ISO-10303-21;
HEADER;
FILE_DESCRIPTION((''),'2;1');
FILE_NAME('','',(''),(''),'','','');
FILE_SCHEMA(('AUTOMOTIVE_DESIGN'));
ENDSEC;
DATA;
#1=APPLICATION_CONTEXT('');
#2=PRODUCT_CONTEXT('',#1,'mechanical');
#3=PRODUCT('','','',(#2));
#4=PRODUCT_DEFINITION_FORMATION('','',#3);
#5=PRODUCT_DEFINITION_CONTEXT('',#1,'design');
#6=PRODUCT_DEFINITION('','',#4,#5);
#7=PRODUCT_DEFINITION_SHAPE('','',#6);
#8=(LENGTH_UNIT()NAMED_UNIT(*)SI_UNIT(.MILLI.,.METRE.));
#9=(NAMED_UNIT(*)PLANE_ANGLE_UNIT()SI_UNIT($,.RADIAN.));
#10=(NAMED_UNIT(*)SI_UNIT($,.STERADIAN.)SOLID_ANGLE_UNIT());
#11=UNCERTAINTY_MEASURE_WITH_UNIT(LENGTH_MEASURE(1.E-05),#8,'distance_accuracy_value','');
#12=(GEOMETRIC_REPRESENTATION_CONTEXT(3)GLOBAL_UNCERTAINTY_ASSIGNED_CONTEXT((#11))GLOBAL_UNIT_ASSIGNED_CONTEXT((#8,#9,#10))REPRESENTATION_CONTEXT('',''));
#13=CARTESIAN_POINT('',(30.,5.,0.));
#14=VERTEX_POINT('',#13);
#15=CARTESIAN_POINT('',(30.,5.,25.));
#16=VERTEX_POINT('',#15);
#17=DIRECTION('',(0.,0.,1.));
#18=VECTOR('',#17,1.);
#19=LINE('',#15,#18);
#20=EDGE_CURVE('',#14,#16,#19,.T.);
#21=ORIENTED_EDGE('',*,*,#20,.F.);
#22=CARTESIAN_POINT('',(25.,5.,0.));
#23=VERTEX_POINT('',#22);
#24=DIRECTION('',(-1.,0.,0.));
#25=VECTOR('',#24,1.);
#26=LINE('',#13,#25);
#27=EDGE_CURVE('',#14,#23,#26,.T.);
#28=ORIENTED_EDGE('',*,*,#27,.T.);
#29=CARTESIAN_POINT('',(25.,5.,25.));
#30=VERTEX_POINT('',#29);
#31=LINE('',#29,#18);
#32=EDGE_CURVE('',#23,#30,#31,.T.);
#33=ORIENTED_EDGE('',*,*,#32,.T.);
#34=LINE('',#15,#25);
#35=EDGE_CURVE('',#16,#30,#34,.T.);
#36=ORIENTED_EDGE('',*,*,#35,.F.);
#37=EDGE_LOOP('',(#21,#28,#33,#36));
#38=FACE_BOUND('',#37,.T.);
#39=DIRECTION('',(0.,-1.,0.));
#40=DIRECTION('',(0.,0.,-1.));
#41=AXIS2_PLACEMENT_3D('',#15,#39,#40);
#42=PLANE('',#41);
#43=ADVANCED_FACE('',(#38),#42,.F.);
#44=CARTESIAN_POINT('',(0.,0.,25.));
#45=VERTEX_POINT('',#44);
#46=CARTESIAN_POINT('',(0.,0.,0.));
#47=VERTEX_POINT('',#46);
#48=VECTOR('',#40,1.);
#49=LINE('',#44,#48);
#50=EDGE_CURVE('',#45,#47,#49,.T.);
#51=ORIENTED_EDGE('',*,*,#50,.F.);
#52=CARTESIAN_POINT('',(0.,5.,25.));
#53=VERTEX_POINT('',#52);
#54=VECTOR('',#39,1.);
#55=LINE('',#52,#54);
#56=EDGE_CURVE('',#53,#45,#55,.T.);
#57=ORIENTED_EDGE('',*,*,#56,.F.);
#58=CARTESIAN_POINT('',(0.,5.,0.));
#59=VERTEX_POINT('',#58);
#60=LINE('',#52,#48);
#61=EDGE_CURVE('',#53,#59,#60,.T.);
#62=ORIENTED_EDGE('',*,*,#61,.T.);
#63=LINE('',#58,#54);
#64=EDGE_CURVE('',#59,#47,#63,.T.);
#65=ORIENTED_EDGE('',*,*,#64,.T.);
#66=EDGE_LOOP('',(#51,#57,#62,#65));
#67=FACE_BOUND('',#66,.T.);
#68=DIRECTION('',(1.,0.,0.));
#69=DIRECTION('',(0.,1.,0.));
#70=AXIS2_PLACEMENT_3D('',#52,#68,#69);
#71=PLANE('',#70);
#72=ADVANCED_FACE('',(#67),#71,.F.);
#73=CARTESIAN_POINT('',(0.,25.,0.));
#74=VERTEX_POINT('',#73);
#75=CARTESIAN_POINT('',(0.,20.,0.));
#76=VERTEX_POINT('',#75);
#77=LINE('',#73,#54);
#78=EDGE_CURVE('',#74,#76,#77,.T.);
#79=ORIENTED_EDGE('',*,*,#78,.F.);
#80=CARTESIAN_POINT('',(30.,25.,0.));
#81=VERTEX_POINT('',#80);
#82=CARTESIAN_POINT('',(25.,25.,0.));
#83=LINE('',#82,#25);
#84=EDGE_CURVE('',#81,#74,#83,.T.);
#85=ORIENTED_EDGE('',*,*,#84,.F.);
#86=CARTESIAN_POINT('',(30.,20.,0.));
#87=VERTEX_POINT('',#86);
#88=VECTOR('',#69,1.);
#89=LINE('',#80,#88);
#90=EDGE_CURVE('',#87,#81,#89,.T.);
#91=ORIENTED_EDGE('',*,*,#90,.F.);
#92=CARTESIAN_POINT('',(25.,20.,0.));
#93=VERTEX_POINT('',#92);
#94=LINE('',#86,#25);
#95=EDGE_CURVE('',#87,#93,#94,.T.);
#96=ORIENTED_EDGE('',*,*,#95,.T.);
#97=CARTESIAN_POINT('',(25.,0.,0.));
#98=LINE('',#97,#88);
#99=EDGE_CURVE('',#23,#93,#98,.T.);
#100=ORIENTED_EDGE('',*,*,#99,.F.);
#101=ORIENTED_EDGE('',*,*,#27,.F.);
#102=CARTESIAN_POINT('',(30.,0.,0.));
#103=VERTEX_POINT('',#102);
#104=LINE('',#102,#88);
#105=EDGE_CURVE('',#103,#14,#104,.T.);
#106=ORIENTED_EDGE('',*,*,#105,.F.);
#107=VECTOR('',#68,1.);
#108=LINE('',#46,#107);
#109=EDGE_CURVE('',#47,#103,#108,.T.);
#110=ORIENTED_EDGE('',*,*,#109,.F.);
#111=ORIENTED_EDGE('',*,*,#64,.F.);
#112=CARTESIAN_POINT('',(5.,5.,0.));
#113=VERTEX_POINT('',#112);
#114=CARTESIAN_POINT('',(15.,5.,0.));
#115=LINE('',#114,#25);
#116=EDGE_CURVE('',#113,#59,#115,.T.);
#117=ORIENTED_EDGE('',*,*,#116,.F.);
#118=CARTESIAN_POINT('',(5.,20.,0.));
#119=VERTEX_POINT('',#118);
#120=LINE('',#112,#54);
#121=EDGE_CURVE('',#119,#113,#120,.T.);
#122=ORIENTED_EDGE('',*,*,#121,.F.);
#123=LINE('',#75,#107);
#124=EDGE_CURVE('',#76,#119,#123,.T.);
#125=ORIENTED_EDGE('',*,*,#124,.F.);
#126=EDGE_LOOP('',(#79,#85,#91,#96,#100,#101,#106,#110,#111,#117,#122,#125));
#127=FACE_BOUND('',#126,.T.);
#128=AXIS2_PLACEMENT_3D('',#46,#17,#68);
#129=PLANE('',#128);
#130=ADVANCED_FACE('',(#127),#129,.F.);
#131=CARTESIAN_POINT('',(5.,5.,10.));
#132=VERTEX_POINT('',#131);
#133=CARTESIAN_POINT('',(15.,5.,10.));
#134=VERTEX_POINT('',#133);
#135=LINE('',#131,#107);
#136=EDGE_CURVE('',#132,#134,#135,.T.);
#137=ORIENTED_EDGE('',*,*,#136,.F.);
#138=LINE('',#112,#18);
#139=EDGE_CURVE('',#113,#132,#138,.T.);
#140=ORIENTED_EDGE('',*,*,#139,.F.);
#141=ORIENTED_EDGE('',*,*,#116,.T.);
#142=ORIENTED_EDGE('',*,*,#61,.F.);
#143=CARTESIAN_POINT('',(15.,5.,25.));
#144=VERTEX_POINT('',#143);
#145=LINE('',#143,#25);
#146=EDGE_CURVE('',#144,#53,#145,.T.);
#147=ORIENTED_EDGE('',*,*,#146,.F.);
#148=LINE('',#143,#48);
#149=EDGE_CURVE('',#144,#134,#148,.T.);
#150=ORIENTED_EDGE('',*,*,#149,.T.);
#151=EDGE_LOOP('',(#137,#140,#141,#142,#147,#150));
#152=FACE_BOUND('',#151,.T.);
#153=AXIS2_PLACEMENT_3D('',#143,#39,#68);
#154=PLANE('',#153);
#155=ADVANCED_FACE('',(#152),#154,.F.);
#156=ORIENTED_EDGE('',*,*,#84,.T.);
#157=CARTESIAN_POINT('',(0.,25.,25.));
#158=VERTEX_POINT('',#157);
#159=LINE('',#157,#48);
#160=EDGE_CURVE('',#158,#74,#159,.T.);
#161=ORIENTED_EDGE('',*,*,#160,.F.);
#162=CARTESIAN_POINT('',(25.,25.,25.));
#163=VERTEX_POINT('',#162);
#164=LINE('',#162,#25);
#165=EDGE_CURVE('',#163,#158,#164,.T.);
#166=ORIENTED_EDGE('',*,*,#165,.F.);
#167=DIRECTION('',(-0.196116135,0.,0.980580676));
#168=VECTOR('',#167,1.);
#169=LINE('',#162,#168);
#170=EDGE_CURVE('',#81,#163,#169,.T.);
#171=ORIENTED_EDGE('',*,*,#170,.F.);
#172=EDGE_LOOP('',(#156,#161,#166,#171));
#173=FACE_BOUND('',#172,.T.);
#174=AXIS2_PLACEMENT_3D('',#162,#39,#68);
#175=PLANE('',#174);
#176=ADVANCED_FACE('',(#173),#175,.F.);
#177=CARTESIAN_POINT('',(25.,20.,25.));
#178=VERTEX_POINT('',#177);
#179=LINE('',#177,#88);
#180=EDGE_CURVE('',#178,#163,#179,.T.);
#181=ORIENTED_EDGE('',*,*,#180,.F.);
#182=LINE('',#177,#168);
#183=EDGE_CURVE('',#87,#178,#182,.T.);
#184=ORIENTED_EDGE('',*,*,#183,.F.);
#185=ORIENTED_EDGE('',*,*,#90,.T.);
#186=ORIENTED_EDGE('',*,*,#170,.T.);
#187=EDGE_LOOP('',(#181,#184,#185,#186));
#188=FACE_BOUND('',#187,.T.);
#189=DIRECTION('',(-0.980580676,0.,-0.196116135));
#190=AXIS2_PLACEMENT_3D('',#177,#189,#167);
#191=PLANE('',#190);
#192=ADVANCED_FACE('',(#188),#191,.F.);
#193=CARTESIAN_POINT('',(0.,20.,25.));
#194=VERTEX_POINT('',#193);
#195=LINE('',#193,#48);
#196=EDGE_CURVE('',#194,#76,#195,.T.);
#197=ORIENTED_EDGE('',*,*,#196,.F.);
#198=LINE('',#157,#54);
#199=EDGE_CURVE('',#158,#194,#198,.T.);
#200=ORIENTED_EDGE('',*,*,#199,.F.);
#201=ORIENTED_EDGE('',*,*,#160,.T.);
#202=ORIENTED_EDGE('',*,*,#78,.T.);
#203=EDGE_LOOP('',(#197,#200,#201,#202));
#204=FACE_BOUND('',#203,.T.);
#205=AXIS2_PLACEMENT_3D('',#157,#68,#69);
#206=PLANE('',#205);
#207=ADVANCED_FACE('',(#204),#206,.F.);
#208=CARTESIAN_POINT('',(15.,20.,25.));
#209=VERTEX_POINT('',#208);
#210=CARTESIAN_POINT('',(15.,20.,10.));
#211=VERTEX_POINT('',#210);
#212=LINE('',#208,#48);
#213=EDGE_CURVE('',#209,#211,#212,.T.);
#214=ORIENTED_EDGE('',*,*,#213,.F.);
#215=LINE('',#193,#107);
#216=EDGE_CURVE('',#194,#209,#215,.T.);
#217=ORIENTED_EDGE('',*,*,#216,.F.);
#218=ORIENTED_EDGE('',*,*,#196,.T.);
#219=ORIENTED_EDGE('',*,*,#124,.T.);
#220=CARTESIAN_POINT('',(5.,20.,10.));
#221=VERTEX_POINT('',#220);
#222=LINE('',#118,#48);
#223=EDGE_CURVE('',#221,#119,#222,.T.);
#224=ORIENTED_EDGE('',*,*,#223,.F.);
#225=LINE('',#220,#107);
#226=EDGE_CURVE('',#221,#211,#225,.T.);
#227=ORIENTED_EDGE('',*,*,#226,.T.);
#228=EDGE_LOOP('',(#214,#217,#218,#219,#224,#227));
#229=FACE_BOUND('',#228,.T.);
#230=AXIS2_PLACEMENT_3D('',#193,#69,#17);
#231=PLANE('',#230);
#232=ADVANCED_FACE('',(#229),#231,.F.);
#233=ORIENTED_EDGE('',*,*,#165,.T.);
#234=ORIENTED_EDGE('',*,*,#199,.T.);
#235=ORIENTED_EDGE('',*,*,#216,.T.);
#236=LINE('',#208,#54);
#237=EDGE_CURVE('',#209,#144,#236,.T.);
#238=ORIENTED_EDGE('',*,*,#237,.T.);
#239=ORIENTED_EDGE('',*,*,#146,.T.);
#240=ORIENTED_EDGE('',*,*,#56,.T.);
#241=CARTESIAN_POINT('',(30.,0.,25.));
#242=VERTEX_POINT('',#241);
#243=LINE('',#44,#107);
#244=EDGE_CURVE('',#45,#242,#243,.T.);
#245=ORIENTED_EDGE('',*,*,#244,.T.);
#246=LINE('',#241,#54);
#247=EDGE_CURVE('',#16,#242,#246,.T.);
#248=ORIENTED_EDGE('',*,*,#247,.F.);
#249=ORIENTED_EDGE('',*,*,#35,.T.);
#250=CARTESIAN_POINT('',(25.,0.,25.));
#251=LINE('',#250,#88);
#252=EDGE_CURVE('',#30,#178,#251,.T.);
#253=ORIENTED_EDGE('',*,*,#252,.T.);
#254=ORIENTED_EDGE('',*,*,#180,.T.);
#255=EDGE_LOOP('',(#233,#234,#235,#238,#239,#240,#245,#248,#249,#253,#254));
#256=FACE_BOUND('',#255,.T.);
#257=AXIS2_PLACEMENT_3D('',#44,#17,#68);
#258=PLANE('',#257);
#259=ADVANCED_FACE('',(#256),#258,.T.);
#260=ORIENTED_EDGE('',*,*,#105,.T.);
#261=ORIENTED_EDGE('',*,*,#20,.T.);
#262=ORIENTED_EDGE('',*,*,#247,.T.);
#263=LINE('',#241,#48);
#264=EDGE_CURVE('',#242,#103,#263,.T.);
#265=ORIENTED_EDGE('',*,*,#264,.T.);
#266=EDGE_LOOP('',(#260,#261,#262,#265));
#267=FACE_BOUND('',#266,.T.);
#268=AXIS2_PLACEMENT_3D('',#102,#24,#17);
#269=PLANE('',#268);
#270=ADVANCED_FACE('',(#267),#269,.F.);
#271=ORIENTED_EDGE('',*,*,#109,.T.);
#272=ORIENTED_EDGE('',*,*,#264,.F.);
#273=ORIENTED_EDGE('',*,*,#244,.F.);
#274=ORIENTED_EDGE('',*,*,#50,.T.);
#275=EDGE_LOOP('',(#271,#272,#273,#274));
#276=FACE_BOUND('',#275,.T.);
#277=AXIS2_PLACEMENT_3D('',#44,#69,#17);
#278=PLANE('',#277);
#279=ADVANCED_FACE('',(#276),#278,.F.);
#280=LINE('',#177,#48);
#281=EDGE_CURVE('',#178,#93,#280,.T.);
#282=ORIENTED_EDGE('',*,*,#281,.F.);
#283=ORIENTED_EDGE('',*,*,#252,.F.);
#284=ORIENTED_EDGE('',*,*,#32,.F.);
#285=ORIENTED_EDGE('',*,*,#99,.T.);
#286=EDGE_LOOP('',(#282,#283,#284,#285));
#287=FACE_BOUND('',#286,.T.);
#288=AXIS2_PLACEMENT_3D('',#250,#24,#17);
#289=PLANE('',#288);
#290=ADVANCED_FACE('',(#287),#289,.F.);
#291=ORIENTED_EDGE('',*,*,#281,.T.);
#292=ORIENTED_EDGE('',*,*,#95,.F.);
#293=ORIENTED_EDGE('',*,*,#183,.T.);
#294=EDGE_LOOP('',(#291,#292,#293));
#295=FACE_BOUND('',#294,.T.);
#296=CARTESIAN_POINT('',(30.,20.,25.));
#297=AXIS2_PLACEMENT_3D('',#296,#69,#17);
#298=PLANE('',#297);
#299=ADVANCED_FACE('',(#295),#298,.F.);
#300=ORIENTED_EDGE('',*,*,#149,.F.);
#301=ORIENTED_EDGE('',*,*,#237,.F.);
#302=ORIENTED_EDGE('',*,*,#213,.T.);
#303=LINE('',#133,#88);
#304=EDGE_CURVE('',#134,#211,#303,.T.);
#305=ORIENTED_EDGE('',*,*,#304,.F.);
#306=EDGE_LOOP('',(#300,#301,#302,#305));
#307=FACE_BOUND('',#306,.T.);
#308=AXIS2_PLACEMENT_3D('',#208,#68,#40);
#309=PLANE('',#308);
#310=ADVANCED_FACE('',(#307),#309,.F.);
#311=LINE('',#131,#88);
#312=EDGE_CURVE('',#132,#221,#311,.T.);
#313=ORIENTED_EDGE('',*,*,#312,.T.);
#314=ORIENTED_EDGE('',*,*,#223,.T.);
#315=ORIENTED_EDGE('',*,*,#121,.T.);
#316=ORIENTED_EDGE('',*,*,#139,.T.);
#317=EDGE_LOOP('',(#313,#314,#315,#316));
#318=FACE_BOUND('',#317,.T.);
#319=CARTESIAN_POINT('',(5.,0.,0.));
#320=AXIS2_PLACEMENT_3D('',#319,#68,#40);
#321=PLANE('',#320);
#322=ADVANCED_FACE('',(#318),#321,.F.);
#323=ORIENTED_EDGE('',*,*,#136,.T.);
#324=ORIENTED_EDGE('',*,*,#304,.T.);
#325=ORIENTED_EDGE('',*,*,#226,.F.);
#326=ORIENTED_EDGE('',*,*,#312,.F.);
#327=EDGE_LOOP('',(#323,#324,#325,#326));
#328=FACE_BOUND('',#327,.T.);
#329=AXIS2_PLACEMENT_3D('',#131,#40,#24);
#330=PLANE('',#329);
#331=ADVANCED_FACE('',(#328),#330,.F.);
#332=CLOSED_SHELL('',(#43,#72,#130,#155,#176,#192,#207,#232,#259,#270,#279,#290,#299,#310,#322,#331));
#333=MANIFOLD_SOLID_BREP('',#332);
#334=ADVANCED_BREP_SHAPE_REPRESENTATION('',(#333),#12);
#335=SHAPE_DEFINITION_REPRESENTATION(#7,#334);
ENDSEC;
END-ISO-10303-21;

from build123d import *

# Parameters (mm, degrees)
BOSS_EXTRUDE1_DEPTH = 25
SKETCH2_W           = 10
SKETCH2_H           = 15
BOSS_EXTRUDE2_DEPTH = 10
SKETCH3_W           = 25
SKETCH3_H           = 5
BOSS_EXTRUDE3_DEPTH = 5
CUT_EXTRUDE1_DEPTH  = 5


with BuildPart() as part:
    # Sketch1 → Boss-Extrude1 (new body)
    with BuildSketch(Plane.XY):
        Polygon((0, 0), (25, 0), (25, 25), (0, 25), (0, 20), (15, 20), (15, 5), (0, 5), align=None)
    extrude(amount=BOSS_EXTRUDE1_DEPTH)

    # Sketch2 → Boss-Extrude2 (add)
    with BuildSketch(Plane.ZY.offset(-15)):
        with Locations((5, 12.5)):
            Rectangle(SKETCH2_W, SKETCH2_H)
    extrude(amount=BOSS_EXTRUDE2_DEPTH)

    # Sketch3 → Boss-Extrude3 (add)
    with BuildSketch(Plane(origin=(25, 0, 0), x_dir=(0, 0, -1), z_dir=(1, 0, 0))):
        with Locations((-12.5, 22.5)):
            Rectangle(SKETCH3_W, SKETCH3_H)
        with Locations((-12.5, 2.5)):
            Rectangle(SKETCH3_W, SKETCH3_H)
    extrude(amount=BOSS_EXTRUDE3_DEPTH)

    # Sketch4 → Cut-Extrude1 (cut)
    with BuildSketch(Plane(origin=(0, 25, 0), x_dir=(1, 0, 0), z_dir=(0, 1, 0))):
        Polygon((25, -25), (30, 0), (30, -25), align=None)
    extrude(amount=-CUT_EXTRUDE1_DEPTH, mode=Mode.SUBTRACT)


solid = part.part
